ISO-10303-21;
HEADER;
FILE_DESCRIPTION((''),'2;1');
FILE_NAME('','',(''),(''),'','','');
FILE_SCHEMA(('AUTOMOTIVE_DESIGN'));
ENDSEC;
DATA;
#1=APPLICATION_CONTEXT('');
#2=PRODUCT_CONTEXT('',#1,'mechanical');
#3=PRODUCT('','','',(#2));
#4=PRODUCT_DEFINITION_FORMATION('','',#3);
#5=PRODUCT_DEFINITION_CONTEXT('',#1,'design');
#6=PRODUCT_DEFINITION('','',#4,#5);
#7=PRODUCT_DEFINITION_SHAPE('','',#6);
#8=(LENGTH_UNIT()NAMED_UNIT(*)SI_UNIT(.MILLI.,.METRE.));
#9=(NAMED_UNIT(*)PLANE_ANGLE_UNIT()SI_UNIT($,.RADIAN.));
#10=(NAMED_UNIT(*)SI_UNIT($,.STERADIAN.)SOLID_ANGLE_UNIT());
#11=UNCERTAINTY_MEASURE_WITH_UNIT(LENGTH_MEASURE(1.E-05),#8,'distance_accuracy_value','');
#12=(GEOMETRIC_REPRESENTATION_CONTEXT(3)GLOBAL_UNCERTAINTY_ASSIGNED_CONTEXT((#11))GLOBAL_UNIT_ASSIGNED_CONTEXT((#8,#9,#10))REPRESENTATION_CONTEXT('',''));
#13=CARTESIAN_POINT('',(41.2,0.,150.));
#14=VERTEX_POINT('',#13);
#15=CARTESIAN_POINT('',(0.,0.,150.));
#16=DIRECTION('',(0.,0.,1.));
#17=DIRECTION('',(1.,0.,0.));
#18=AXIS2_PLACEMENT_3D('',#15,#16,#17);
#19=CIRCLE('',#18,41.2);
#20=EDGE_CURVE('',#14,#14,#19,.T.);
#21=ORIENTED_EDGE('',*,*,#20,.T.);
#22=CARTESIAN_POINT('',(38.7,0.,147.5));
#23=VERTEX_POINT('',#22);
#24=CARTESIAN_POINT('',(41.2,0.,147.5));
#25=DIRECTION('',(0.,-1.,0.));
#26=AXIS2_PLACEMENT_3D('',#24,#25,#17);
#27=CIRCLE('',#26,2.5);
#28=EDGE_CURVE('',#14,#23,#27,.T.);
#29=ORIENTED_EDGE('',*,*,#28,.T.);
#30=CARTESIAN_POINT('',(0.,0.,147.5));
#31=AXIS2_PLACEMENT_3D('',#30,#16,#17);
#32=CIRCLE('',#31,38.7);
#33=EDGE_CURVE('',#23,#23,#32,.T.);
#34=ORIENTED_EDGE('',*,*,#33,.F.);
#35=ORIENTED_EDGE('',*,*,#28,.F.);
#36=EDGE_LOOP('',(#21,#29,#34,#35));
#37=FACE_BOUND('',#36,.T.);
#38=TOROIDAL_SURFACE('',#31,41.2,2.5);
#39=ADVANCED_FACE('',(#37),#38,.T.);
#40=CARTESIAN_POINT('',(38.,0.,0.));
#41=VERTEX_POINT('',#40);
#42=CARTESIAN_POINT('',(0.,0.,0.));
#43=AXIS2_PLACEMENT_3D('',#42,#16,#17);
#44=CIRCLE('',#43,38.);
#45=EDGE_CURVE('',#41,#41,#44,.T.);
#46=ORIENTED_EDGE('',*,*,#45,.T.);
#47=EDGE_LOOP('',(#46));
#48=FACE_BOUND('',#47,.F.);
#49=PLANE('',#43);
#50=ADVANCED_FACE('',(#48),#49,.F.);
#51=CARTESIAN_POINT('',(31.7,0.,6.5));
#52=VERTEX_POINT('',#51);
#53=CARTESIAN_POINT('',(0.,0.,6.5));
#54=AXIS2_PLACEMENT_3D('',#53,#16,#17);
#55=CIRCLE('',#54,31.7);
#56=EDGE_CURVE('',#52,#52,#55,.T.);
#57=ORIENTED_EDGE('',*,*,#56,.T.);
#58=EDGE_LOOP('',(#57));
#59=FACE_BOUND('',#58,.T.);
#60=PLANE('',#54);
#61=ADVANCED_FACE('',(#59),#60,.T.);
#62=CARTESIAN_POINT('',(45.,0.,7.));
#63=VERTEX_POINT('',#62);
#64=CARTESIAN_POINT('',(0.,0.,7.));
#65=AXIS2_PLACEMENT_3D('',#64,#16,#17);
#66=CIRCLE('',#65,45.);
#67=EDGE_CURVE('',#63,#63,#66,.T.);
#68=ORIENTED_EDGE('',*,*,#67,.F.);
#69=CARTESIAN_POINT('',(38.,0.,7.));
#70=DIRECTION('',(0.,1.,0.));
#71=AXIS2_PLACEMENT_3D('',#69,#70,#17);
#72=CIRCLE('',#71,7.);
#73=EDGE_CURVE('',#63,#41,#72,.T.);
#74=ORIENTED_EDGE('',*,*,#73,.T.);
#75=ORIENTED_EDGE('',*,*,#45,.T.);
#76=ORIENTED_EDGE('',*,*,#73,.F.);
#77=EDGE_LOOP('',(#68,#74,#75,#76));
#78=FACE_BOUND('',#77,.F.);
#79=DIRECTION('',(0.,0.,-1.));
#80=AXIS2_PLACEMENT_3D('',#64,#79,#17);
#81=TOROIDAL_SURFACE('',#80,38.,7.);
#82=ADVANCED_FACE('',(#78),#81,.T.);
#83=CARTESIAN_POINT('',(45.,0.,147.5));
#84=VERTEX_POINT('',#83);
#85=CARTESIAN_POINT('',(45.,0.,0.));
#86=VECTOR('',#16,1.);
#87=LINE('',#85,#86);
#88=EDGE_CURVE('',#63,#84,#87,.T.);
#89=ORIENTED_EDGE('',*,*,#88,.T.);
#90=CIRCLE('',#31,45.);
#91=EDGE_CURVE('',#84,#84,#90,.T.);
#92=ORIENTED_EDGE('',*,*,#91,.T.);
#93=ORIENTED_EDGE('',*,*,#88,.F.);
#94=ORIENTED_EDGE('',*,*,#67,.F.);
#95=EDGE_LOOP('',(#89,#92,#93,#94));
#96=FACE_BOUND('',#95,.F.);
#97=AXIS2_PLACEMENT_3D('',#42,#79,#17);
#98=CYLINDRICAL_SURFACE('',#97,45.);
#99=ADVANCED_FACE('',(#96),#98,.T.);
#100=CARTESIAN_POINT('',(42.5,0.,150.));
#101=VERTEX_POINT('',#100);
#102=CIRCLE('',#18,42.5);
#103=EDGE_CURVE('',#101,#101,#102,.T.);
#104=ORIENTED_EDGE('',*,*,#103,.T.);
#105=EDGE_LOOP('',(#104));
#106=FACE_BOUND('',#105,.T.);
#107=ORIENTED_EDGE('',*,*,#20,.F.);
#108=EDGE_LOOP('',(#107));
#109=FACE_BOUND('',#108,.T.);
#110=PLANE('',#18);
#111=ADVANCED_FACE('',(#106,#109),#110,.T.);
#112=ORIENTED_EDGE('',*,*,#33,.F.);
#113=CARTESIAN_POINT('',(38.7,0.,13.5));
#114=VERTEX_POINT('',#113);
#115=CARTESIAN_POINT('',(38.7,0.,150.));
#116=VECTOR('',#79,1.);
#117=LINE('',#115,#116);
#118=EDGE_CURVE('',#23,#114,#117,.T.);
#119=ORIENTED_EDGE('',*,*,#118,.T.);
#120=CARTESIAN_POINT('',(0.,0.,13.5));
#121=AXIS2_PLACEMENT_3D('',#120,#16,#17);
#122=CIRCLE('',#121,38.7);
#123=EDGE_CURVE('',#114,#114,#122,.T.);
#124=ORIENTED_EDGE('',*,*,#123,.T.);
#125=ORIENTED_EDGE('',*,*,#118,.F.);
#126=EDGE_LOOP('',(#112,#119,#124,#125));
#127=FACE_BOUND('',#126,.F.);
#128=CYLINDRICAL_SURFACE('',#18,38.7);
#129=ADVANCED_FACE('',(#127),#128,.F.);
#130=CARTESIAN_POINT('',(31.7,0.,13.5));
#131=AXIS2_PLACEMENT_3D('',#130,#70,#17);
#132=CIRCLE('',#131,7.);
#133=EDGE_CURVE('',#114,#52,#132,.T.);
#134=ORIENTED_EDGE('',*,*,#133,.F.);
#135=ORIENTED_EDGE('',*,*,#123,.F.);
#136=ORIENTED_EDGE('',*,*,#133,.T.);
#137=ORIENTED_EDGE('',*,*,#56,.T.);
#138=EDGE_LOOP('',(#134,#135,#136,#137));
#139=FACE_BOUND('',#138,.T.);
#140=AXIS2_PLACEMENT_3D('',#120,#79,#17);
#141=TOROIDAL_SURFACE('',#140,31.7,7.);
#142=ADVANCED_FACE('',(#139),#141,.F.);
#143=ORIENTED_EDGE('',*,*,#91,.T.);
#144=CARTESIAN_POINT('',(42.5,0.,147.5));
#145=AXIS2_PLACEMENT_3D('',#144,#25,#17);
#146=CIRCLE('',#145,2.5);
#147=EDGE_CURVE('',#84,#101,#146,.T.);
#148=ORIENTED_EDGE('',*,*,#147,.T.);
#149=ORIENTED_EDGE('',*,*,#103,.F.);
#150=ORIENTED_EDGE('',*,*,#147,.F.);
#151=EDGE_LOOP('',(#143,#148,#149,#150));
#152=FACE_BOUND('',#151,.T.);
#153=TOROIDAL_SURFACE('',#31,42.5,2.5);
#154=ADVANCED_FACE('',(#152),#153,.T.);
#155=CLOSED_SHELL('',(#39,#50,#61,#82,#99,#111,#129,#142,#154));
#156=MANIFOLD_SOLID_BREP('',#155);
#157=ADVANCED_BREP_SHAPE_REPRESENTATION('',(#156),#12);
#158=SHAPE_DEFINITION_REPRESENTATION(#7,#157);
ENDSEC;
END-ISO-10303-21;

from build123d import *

# Parameters (mm, degrees)
F0_R     = 45
F1_DEPTH = 150
F2_R     = 38.7
F4_DEPTH = 143.5
F5_R     = 2.5
F6_R     = 7


with BuildPart() as f1:
    # F0 (on Top) → F1 (new body)
    with BuildSketch(Plane.XY):
        Circle(F0_R)
    extrude(amount=F1_DEPTH)

    # F2 (on face) → F4 (cut, through all)
    with BuildSketch(Plane.XY.offset(150)):
        Circle(F2_R)
    extrude(amount=-F4_DEPTH, mode=Mode.SUBTRACT)

    # F5
    f5_edges = [f1.edges().sort_by_distance(p)[0] for p in [
        (-45, 0, 150),
        (-38.7, 0, 150),
    ]]
    fillet(f5_edges, radius=F5_R)

    # F6
    f6_edges = [f1.edges().sort_by_distance(p)[0] for p in [
        (-38.7, 0, 6.5),
        (-45, 0, 0),
    ]]
    fillet(f6_edges, radius=F6_R)


solid = f1.part
